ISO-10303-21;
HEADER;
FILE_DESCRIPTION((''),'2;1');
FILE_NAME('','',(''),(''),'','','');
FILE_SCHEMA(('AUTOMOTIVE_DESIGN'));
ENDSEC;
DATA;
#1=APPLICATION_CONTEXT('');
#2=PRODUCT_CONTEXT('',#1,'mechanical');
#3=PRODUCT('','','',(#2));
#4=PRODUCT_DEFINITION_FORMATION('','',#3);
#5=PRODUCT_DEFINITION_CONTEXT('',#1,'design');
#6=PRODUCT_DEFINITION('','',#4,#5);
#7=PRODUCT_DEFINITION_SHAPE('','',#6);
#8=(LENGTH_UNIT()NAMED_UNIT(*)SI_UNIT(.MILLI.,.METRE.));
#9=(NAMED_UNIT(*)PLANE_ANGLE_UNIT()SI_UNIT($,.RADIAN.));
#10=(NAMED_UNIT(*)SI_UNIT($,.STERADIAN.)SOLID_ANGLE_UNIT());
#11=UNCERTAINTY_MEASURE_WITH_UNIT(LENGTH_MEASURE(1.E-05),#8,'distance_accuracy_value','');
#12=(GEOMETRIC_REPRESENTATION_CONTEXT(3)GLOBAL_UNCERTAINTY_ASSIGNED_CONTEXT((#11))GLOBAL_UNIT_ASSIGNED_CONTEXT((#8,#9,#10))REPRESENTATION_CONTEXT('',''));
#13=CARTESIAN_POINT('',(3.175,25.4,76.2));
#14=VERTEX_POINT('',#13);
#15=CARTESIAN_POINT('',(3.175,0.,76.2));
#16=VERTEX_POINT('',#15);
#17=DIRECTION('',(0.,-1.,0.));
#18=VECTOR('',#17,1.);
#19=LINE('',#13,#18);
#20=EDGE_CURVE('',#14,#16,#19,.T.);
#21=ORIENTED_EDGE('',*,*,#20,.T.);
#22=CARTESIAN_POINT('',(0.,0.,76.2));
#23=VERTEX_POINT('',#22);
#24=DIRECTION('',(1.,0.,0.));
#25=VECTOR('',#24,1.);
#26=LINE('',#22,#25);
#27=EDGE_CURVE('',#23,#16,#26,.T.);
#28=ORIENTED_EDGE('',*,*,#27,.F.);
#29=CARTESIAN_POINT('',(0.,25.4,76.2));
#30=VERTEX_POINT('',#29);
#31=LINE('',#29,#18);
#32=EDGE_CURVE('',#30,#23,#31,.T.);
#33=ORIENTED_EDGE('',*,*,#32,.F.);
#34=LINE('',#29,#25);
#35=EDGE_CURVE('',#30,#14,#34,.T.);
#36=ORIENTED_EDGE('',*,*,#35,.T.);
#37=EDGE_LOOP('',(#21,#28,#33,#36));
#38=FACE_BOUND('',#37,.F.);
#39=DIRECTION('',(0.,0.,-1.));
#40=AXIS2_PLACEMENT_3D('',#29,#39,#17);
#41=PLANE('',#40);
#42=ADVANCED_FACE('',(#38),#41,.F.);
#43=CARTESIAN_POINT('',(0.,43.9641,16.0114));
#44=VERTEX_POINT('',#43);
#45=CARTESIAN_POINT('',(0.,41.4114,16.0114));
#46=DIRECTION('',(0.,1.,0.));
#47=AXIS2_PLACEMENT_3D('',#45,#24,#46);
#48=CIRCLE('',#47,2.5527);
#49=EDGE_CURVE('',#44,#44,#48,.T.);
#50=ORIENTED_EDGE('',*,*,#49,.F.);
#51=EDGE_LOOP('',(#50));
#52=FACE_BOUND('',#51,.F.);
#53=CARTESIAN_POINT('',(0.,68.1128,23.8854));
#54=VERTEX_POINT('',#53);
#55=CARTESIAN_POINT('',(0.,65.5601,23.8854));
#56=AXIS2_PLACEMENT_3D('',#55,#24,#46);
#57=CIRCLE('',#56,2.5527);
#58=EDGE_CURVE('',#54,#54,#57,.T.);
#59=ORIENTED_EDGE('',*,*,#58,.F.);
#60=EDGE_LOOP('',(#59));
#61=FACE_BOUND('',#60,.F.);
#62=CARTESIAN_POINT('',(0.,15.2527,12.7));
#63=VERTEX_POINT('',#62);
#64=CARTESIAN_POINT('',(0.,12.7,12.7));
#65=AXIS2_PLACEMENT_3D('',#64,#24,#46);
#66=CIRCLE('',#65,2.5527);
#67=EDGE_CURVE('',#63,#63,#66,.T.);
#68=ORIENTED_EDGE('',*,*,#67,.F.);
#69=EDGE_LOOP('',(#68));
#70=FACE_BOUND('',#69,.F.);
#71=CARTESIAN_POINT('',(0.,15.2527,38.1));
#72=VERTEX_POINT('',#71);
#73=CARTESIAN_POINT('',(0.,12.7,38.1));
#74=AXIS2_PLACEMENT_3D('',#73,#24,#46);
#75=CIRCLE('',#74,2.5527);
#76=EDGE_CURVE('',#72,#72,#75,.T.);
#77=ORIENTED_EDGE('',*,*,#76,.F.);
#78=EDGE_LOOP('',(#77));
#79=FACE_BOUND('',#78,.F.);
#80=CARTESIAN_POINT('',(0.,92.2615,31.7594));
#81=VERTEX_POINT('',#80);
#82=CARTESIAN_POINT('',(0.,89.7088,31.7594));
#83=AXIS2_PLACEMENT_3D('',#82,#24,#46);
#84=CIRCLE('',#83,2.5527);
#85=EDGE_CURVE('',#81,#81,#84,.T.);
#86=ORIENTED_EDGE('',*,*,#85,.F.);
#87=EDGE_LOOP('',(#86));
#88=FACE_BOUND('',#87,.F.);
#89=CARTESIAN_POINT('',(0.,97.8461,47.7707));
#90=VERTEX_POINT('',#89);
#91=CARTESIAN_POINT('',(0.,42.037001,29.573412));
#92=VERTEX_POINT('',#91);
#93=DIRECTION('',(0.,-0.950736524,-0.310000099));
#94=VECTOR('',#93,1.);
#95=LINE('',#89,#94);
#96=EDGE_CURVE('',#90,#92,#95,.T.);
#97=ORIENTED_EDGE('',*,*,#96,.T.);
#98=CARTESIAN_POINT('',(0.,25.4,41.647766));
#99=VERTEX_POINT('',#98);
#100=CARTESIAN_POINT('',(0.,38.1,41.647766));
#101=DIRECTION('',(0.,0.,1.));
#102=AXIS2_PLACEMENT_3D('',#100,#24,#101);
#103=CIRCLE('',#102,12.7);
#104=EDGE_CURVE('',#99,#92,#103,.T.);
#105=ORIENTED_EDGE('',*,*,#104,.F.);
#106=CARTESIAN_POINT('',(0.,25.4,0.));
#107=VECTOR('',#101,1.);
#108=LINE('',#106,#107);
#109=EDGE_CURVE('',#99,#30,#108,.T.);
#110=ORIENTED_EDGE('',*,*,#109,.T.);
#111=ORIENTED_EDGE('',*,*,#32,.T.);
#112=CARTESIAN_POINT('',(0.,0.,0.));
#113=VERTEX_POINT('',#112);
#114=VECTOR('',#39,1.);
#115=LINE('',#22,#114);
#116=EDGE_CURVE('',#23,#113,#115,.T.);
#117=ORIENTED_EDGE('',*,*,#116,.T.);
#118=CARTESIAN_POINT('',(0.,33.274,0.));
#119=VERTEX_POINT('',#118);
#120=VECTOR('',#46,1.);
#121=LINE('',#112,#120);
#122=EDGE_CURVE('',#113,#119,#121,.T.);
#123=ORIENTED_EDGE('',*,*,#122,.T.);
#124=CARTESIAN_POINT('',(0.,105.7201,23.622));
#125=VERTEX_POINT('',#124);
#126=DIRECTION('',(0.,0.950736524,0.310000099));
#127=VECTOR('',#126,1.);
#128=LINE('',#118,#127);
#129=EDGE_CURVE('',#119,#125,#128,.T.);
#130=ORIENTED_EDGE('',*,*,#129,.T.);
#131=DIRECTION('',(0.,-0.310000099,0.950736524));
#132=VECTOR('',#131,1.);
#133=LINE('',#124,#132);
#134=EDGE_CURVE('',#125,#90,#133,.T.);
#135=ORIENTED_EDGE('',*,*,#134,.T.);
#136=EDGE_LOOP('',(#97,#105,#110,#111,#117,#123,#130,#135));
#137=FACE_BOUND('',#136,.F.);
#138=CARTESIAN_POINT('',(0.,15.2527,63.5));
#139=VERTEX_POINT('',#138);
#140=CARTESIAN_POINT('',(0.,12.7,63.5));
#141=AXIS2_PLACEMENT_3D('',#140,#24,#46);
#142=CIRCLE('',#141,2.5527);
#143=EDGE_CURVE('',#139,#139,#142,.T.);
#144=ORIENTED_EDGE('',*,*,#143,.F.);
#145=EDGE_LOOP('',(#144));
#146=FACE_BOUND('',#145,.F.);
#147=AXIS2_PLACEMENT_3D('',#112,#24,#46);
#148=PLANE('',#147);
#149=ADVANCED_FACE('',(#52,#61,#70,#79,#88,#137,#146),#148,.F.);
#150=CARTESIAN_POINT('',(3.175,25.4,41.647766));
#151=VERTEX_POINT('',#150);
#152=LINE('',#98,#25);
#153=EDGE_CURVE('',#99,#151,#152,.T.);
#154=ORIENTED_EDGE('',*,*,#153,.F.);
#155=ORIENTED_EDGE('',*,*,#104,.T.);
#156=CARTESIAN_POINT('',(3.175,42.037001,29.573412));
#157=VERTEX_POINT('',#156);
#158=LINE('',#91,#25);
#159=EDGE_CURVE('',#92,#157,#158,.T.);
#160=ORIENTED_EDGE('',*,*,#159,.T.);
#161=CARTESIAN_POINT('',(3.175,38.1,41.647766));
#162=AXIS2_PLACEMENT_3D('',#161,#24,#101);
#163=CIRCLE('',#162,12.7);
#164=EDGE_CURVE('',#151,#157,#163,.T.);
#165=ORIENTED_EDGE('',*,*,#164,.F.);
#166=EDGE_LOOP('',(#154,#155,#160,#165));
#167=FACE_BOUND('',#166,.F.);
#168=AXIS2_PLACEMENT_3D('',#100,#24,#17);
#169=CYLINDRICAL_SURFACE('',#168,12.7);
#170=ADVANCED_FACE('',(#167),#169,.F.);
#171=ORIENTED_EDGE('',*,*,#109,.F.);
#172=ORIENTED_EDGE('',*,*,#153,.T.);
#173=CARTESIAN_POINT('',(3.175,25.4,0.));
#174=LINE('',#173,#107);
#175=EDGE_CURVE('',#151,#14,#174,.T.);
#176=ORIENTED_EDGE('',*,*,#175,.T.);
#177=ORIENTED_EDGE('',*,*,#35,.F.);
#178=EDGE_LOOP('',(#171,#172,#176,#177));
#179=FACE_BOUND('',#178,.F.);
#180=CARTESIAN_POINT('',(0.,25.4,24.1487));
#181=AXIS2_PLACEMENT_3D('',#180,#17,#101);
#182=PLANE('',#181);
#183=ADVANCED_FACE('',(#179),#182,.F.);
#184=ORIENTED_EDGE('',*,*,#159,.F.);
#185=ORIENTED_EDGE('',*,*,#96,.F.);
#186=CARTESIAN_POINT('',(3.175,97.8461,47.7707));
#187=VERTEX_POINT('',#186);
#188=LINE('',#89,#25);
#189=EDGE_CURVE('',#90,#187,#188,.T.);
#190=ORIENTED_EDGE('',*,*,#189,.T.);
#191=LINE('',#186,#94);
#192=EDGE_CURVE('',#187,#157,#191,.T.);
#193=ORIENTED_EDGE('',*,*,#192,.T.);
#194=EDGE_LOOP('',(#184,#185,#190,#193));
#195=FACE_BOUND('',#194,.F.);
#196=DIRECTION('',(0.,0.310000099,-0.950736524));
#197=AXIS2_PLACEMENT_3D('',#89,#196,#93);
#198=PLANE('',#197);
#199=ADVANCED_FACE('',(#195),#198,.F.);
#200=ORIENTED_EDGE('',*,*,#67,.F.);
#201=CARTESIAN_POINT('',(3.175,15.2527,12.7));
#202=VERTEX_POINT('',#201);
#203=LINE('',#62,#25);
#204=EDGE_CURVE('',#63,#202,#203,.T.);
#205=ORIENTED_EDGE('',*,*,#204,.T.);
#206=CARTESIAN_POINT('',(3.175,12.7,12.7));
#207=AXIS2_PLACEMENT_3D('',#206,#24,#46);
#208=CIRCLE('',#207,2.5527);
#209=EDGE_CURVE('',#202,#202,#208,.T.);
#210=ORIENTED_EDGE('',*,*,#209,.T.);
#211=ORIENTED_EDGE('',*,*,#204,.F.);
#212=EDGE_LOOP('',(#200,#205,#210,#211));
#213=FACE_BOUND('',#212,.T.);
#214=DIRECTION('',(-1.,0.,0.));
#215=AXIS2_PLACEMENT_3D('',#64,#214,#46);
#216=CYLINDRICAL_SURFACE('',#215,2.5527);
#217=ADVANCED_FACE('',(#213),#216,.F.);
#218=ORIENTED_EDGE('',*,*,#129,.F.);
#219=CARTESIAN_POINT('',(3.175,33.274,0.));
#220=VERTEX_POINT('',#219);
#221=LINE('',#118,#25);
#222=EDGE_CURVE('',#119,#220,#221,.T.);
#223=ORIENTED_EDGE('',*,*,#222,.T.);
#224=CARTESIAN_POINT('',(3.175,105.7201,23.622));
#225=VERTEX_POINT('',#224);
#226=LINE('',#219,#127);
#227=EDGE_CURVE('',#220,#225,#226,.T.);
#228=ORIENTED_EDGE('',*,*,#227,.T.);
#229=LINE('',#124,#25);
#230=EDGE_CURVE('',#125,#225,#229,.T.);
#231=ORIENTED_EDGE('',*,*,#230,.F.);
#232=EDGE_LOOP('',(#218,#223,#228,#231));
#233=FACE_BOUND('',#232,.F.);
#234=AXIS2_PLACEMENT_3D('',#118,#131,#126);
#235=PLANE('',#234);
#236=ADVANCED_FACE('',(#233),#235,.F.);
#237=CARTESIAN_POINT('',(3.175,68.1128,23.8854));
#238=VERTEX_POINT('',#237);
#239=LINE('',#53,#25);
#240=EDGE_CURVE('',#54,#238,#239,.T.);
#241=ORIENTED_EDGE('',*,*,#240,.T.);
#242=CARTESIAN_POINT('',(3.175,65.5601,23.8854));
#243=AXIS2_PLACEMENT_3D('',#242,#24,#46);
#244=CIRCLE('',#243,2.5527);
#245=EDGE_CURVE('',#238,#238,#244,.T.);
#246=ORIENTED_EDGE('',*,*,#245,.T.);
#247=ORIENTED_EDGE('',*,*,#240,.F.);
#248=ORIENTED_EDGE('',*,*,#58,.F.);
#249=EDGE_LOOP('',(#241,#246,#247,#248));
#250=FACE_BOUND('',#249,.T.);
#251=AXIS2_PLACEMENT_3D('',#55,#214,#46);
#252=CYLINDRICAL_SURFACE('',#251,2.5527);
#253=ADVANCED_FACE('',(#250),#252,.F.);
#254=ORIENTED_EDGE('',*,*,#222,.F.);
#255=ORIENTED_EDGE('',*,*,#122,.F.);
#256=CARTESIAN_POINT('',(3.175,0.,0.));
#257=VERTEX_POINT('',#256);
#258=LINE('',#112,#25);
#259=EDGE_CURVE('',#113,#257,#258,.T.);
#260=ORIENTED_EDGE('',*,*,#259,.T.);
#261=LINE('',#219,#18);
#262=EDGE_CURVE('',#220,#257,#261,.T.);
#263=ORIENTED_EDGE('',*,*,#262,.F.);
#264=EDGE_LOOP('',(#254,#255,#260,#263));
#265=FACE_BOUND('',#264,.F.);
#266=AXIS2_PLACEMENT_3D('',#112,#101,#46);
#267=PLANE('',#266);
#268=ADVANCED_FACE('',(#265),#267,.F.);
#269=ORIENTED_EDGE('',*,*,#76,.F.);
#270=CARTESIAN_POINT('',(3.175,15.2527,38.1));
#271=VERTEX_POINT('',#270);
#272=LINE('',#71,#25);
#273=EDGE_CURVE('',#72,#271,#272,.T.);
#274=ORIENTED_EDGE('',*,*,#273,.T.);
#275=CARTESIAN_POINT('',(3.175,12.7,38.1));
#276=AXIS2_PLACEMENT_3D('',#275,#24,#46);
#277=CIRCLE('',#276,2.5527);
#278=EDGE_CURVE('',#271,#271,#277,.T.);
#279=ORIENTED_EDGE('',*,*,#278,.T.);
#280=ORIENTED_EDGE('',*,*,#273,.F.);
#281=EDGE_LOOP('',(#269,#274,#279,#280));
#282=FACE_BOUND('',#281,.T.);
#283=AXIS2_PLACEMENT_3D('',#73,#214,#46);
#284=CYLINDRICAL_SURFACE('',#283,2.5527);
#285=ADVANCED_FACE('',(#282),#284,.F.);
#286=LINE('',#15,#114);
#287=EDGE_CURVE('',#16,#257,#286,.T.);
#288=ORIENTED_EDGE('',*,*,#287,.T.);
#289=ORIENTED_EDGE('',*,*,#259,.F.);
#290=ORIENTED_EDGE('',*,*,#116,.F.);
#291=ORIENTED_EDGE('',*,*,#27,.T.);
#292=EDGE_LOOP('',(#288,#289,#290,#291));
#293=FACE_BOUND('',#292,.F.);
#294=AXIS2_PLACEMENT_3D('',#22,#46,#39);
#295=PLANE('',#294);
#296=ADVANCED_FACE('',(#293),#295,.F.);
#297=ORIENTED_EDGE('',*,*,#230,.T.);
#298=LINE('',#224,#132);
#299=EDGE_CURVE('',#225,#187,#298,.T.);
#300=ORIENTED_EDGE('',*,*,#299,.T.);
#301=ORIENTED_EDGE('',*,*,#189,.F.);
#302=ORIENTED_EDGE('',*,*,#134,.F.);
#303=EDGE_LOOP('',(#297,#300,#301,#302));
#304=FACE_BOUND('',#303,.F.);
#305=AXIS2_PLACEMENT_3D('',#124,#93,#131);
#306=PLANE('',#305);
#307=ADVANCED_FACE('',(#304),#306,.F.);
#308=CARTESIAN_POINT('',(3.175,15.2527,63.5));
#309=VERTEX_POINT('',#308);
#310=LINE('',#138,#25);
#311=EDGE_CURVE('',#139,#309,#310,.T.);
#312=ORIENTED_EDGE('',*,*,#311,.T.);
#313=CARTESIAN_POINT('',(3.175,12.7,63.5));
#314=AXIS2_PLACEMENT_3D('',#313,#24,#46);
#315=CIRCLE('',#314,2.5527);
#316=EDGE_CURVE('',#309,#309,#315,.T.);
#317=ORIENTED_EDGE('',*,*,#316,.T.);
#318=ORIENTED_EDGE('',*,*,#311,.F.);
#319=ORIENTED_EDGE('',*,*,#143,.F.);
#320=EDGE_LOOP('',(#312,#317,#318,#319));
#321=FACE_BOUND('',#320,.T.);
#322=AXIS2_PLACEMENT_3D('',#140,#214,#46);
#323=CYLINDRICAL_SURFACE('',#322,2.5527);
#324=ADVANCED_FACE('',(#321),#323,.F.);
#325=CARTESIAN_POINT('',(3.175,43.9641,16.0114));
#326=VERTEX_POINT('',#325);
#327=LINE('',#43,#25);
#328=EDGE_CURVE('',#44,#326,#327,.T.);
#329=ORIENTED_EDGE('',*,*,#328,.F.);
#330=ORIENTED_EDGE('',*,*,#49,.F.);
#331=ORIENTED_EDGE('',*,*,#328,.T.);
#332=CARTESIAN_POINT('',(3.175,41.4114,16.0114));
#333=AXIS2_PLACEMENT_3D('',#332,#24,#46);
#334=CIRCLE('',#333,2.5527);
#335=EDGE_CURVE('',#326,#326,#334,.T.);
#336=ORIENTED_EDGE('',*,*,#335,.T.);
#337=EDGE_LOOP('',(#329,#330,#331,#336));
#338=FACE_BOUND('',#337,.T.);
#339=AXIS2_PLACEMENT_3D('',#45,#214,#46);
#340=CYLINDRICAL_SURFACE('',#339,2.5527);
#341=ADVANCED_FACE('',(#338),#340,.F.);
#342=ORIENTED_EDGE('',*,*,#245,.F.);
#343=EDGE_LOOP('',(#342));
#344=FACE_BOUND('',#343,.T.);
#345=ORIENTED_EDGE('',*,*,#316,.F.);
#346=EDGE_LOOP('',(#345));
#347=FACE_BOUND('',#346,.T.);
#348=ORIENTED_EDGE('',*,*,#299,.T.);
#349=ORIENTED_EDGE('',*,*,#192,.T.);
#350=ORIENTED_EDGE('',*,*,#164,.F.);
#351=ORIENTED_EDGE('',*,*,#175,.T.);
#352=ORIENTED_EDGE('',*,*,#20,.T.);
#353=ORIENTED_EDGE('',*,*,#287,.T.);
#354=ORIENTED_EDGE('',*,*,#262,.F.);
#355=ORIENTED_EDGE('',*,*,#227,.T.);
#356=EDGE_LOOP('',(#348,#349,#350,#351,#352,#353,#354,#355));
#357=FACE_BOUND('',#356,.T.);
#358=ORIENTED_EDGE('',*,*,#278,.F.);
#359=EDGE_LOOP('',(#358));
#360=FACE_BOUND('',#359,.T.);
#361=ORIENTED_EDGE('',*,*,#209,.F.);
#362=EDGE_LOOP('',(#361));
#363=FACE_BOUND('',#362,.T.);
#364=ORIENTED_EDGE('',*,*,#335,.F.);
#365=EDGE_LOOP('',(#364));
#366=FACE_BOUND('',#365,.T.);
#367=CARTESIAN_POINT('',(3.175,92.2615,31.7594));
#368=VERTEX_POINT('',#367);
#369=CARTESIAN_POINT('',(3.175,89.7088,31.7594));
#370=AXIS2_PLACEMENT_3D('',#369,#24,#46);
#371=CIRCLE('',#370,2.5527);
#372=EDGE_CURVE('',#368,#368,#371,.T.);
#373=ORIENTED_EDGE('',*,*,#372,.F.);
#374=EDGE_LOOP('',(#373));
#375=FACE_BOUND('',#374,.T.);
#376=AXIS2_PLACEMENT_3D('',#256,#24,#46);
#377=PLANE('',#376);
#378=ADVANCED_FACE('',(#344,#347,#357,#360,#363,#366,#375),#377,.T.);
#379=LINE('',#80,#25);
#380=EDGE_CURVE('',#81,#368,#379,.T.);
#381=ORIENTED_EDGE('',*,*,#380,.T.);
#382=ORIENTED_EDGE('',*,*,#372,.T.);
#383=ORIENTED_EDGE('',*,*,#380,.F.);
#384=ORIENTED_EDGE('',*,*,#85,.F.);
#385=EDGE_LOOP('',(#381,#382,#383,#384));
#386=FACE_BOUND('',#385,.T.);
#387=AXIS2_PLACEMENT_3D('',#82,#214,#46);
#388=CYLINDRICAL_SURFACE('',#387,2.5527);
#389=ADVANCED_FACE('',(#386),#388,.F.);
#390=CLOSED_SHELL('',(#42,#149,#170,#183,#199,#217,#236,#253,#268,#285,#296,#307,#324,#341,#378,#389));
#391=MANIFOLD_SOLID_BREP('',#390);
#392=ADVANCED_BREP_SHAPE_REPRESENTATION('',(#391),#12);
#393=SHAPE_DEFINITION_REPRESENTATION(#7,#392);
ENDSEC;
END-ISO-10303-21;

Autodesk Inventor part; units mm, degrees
ref_plane "YZ Plane" through (0, 0, 0) normal (1, 0, 0) x (0, 1, 0)
ref_plane "XZ Plane" through (0, 0, 0) normal (0, 1, 0) x (-1, 0, 0)
ref_plane "XY Plane" through (0, 0, 0) normal (0, 0, 1) x (1, 0, 0)
sketch "Sketch1" plane through (0, 0, 0) normal (1, 0, 0) x (0, 1, 0)
  line L0 (0, 0) -> (25.4, 0)
  line L1 (25.4, 0) -> (25.4, 76.2)
  line L2 (25.4, 76.2) -> (0, 76.2)
  line L3 (0, 76.2) -> (0, 0)
  line L4 (25.4, 0) -> (33.274, 0)
  line L5 (33.274, 0) -> (105.7201, 23.622)
  line L6 (105.7201, 23.622) -> (97.8461, 47.7707)
  line L7 (97.8461, 47.7707) -> (25.4, 24.1487)
  circle A0 centre (41.4114, 16.0114) radius 2.5527
  circle A1 centre (12.7, 12.7) radius 2.5527
  line L8 (25.4, 24.1487) -> (33.274, 0)
  circle A2 centre (12.7, 38.1) radius 2.5527
  circle A3 centre (12.7, 63.5) radius 2.5527
  circle A4 centre (65.5601, 23.8854) radius 2.5527
  circle A5 centre (89.7088, 31.7594) radius 2.5527
  point P0 (12.7, 0)
  dimension "d0" = 25.4
  dimension "d1" = 76.2
  dimension "d2" = 7.874
  dimension "d3" = 76.2
  dimension "d4" = 25.4
  dimension "d5" = 5.1054
  dimension "d6" = 5.1054
  dimension "d7" = 12.7
  dimension "d8" = 12.7
  dimension "d9" = 12.7
  dimension "d10" = 12.7
  dimension "d20" = 25.4
  dimension "d27" = 25.4
extrude "Extrusion1" add sketch "Sketch1" along normal blind 3.175
fillet "Fillet1" radius 12.7 1 edges at (1.5875, 25.4, 24.1487)
properties part number "Bot_ang_gus"
